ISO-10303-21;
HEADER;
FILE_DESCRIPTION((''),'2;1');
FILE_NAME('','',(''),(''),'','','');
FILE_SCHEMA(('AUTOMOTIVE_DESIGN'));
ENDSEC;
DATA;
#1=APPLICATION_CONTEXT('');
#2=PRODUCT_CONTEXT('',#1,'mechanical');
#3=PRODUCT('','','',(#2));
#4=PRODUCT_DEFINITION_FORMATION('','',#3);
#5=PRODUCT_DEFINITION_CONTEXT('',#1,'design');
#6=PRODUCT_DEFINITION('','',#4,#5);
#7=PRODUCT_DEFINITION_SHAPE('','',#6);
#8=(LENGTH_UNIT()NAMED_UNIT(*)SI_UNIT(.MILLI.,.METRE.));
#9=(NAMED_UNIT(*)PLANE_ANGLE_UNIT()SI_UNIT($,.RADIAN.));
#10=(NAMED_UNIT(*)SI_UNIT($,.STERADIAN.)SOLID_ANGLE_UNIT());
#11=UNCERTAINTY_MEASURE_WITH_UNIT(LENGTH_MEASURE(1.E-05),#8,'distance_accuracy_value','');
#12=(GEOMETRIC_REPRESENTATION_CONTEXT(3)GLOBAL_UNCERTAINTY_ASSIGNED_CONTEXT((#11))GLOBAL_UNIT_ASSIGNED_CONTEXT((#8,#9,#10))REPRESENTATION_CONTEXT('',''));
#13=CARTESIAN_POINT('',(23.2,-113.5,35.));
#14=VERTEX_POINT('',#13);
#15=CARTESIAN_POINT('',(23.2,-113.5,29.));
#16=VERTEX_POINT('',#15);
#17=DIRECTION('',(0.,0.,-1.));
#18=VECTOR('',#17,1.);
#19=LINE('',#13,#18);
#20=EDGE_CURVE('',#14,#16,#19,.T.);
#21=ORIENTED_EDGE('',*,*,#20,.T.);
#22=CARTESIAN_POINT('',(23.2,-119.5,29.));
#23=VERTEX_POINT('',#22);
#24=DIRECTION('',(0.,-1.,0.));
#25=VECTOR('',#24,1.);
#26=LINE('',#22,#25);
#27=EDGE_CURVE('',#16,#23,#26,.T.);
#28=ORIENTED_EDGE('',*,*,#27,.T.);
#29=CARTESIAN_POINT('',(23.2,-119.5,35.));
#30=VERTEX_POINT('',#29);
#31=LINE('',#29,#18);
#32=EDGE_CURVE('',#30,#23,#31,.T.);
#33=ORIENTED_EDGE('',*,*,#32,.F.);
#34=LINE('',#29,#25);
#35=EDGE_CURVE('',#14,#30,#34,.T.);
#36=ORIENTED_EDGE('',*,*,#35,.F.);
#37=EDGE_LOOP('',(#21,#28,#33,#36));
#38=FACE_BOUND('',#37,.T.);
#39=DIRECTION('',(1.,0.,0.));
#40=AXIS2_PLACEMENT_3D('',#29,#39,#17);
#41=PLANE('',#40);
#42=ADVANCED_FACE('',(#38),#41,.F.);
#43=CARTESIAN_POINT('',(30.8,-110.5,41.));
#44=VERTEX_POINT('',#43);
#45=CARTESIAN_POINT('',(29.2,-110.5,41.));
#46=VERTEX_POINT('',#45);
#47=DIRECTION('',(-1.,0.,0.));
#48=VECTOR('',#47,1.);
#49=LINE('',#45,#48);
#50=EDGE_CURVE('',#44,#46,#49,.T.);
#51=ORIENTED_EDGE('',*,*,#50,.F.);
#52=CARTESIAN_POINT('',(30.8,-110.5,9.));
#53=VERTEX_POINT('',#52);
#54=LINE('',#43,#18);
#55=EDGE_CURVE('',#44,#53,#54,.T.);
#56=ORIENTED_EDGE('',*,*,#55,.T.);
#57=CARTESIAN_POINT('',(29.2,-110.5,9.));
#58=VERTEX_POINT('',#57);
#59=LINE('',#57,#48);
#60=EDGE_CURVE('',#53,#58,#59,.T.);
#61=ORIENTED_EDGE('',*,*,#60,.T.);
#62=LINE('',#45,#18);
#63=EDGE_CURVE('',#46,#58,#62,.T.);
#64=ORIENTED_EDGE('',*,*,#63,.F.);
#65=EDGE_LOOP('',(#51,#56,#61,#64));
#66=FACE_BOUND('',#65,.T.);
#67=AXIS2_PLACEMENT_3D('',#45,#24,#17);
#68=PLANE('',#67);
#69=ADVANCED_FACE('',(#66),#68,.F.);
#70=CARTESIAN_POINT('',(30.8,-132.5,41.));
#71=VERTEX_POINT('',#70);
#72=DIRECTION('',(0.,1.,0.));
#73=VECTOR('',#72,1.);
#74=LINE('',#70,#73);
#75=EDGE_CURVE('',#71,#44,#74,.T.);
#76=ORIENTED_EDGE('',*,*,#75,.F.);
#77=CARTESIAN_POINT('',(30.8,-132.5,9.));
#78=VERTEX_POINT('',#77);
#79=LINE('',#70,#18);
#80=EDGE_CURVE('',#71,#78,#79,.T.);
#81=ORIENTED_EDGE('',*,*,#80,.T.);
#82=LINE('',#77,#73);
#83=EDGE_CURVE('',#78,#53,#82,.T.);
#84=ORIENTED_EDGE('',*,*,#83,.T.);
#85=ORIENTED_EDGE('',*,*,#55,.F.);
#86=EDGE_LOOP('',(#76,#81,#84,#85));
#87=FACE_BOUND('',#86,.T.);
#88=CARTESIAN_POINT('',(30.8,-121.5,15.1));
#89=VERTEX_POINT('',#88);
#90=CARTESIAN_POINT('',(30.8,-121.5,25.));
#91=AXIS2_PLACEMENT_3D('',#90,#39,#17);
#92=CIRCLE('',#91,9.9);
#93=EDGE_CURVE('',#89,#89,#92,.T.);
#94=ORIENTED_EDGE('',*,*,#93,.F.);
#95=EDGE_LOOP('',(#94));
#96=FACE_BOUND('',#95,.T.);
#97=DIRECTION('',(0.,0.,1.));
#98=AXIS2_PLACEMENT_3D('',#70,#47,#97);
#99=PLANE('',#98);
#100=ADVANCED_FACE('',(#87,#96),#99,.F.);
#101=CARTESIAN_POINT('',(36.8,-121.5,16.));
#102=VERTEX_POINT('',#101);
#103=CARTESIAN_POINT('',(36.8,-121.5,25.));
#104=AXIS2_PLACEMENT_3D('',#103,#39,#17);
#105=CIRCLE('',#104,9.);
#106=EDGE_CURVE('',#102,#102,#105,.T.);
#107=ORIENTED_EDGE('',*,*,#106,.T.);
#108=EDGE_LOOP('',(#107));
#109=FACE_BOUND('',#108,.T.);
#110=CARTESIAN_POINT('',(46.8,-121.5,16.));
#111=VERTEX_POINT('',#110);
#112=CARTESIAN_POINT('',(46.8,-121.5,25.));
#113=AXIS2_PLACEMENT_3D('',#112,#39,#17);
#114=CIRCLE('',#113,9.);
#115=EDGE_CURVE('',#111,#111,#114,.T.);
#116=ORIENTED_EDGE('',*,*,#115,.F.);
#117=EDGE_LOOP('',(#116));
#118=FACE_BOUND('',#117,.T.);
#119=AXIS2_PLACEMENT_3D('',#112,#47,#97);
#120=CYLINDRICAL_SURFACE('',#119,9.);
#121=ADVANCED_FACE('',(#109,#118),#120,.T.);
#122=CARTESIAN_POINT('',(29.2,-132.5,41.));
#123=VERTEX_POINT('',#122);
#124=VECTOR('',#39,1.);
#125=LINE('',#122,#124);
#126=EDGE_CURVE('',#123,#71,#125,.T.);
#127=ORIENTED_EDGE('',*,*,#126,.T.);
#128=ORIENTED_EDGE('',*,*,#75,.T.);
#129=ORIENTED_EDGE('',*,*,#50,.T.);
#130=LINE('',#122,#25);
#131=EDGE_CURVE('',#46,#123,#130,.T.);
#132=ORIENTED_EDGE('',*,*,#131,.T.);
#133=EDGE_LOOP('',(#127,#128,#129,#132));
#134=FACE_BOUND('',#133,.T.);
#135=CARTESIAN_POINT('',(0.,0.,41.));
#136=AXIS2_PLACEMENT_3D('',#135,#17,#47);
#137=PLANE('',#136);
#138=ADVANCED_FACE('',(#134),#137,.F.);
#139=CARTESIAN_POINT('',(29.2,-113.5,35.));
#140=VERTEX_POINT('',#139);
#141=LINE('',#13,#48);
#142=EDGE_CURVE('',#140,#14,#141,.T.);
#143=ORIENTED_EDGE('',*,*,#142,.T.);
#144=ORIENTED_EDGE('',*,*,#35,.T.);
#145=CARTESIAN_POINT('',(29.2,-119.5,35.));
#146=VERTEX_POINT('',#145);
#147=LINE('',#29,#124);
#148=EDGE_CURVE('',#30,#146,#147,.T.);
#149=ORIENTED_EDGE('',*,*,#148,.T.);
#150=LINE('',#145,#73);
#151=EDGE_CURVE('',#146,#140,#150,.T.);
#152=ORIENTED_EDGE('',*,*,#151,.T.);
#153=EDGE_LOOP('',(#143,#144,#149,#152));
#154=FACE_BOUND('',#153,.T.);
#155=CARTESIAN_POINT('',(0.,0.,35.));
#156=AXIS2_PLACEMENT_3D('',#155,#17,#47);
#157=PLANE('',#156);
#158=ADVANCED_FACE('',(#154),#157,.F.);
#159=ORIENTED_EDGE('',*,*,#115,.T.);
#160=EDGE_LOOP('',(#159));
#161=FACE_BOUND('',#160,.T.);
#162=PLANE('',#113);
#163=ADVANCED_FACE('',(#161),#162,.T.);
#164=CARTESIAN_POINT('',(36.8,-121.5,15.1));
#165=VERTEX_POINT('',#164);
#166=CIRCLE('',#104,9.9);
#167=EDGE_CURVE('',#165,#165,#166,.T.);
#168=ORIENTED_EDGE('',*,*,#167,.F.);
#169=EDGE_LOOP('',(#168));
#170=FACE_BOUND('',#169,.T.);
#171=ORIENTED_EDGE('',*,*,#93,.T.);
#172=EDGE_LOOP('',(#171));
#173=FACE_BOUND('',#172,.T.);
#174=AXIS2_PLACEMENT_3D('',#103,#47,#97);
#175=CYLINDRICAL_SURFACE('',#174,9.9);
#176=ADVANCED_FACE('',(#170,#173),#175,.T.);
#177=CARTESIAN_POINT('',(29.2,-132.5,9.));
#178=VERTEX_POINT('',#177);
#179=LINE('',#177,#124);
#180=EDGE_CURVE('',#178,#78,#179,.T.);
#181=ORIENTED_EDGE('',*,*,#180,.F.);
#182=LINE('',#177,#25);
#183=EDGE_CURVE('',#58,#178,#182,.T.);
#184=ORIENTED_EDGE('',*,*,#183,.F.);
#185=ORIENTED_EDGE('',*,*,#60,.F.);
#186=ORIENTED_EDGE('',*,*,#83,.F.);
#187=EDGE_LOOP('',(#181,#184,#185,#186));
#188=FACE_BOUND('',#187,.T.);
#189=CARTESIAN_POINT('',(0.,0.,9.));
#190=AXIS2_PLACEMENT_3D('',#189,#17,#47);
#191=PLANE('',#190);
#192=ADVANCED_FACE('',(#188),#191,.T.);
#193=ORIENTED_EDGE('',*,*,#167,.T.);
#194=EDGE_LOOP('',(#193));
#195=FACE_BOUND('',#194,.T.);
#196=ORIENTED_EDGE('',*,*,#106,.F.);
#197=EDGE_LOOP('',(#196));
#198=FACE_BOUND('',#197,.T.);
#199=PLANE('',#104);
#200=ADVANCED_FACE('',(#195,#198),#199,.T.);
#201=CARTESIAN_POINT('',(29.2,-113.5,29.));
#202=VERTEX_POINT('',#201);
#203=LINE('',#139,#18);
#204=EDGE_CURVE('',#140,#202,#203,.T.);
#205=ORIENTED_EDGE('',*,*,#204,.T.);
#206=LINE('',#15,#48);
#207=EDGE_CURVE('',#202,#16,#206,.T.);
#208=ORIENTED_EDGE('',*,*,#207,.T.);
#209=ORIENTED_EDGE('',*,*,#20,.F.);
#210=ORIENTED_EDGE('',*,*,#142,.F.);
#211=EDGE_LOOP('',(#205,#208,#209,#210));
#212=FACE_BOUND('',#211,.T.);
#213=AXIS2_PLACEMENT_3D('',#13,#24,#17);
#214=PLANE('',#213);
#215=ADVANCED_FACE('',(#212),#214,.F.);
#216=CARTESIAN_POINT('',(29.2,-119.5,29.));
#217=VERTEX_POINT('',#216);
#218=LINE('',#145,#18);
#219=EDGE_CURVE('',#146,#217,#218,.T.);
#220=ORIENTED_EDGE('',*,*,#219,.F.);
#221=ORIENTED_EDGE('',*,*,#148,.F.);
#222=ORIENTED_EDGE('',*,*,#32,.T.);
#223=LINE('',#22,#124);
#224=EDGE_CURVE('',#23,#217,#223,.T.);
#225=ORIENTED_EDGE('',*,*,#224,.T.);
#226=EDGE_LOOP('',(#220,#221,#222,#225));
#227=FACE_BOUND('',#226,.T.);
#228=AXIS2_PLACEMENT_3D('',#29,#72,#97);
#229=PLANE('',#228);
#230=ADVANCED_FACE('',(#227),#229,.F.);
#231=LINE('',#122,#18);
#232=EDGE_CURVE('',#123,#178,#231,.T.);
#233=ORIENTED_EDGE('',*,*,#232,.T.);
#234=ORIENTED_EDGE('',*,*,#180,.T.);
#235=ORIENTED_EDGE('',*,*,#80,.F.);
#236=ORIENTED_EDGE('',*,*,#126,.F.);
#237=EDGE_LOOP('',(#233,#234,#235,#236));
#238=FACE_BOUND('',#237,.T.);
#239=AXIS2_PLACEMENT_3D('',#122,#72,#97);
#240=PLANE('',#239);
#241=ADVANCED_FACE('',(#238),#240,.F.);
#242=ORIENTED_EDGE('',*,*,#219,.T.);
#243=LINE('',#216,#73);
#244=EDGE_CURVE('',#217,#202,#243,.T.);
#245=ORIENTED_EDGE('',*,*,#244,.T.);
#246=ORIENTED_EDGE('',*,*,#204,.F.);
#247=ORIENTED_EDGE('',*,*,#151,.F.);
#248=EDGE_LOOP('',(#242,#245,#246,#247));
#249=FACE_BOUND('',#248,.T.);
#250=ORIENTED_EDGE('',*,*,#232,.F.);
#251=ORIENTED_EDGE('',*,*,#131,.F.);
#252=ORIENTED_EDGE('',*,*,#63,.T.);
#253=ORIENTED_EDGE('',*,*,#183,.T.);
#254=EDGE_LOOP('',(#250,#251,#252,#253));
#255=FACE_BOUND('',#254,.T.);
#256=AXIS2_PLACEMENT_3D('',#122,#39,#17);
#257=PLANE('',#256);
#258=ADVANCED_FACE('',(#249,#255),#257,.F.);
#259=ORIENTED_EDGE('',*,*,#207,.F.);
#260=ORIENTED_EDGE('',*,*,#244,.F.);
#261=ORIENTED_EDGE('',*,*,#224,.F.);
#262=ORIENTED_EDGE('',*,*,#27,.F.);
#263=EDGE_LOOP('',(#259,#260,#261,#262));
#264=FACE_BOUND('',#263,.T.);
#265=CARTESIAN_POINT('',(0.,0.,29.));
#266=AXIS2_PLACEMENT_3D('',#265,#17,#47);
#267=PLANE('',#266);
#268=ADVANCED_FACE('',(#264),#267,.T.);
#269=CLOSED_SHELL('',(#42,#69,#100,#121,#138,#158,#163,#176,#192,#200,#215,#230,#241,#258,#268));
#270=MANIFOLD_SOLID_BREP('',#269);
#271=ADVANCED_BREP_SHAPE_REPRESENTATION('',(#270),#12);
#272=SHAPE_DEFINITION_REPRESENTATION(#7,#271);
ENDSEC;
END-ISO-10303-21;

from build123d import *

# Parameters (mm, degrees)
SKETCH1_W           = 1.6
SKETCH1_H           = 22
BOSS_EXTRUDE1_DEPTH = 32
SKETCH2_R           = 9.9
BOSS_EXTRUDE2_DEPTH = 6
SKETCH3_R           = 9
BOSS_EXTRUDE3_DEPTH = 10
SKETCH4_W           = 6
SKETCH4_H           = 6
BOSS_EXTRUDE4_DEPTH = 6


with BuildPart() as part:
    # Sketch1 → Boss-Extrude1 (new body)
    with BuildSketch(Plane.XY.offset(9)):
        with Locations((30, -121.5)):
            Rectangle(SKETCH1_W, SKETCH1_H)
    extrude(amount=BOSS_EXTRUDE1_DEPTH)

    # Sketch2 → Boss-Extrude2 (add)
    with BuildSketch(Plane(origin=(30.8, 0, 0), x_dir=(0, 0, -1), z_dir=(1, 0, 0))):
        with Locations((-25, -121.5)):
            Circle(SKETCH2_R)
    extrude(amount=BOSS_EXTRUDE2_DEPTH)

    # Sketch3 → Boss-Extrude3 (add)
    with BuildSketch(Plane(origin=(36.8, 0, 0), x_dir=(0, 0, -1), z_dir=(1, 0, 0))):
        with Locations((-25, -121.5)):
            Circle(SKETCH3_R)
    extrude(amount=BOSS_EXTRUDE3_DEPTH)

    # Sketch4 → Boss-Extrude4 (add)
    with BuildSketch(Plane.XY.offset(29)):
        with Locations((26.2, -116.5)):
            Rectangle(SKETCH4_W, SKETCH4_H)
    extrude(amount=BOSS_EXTRUDE4_DEPTH)


solid = part.part
